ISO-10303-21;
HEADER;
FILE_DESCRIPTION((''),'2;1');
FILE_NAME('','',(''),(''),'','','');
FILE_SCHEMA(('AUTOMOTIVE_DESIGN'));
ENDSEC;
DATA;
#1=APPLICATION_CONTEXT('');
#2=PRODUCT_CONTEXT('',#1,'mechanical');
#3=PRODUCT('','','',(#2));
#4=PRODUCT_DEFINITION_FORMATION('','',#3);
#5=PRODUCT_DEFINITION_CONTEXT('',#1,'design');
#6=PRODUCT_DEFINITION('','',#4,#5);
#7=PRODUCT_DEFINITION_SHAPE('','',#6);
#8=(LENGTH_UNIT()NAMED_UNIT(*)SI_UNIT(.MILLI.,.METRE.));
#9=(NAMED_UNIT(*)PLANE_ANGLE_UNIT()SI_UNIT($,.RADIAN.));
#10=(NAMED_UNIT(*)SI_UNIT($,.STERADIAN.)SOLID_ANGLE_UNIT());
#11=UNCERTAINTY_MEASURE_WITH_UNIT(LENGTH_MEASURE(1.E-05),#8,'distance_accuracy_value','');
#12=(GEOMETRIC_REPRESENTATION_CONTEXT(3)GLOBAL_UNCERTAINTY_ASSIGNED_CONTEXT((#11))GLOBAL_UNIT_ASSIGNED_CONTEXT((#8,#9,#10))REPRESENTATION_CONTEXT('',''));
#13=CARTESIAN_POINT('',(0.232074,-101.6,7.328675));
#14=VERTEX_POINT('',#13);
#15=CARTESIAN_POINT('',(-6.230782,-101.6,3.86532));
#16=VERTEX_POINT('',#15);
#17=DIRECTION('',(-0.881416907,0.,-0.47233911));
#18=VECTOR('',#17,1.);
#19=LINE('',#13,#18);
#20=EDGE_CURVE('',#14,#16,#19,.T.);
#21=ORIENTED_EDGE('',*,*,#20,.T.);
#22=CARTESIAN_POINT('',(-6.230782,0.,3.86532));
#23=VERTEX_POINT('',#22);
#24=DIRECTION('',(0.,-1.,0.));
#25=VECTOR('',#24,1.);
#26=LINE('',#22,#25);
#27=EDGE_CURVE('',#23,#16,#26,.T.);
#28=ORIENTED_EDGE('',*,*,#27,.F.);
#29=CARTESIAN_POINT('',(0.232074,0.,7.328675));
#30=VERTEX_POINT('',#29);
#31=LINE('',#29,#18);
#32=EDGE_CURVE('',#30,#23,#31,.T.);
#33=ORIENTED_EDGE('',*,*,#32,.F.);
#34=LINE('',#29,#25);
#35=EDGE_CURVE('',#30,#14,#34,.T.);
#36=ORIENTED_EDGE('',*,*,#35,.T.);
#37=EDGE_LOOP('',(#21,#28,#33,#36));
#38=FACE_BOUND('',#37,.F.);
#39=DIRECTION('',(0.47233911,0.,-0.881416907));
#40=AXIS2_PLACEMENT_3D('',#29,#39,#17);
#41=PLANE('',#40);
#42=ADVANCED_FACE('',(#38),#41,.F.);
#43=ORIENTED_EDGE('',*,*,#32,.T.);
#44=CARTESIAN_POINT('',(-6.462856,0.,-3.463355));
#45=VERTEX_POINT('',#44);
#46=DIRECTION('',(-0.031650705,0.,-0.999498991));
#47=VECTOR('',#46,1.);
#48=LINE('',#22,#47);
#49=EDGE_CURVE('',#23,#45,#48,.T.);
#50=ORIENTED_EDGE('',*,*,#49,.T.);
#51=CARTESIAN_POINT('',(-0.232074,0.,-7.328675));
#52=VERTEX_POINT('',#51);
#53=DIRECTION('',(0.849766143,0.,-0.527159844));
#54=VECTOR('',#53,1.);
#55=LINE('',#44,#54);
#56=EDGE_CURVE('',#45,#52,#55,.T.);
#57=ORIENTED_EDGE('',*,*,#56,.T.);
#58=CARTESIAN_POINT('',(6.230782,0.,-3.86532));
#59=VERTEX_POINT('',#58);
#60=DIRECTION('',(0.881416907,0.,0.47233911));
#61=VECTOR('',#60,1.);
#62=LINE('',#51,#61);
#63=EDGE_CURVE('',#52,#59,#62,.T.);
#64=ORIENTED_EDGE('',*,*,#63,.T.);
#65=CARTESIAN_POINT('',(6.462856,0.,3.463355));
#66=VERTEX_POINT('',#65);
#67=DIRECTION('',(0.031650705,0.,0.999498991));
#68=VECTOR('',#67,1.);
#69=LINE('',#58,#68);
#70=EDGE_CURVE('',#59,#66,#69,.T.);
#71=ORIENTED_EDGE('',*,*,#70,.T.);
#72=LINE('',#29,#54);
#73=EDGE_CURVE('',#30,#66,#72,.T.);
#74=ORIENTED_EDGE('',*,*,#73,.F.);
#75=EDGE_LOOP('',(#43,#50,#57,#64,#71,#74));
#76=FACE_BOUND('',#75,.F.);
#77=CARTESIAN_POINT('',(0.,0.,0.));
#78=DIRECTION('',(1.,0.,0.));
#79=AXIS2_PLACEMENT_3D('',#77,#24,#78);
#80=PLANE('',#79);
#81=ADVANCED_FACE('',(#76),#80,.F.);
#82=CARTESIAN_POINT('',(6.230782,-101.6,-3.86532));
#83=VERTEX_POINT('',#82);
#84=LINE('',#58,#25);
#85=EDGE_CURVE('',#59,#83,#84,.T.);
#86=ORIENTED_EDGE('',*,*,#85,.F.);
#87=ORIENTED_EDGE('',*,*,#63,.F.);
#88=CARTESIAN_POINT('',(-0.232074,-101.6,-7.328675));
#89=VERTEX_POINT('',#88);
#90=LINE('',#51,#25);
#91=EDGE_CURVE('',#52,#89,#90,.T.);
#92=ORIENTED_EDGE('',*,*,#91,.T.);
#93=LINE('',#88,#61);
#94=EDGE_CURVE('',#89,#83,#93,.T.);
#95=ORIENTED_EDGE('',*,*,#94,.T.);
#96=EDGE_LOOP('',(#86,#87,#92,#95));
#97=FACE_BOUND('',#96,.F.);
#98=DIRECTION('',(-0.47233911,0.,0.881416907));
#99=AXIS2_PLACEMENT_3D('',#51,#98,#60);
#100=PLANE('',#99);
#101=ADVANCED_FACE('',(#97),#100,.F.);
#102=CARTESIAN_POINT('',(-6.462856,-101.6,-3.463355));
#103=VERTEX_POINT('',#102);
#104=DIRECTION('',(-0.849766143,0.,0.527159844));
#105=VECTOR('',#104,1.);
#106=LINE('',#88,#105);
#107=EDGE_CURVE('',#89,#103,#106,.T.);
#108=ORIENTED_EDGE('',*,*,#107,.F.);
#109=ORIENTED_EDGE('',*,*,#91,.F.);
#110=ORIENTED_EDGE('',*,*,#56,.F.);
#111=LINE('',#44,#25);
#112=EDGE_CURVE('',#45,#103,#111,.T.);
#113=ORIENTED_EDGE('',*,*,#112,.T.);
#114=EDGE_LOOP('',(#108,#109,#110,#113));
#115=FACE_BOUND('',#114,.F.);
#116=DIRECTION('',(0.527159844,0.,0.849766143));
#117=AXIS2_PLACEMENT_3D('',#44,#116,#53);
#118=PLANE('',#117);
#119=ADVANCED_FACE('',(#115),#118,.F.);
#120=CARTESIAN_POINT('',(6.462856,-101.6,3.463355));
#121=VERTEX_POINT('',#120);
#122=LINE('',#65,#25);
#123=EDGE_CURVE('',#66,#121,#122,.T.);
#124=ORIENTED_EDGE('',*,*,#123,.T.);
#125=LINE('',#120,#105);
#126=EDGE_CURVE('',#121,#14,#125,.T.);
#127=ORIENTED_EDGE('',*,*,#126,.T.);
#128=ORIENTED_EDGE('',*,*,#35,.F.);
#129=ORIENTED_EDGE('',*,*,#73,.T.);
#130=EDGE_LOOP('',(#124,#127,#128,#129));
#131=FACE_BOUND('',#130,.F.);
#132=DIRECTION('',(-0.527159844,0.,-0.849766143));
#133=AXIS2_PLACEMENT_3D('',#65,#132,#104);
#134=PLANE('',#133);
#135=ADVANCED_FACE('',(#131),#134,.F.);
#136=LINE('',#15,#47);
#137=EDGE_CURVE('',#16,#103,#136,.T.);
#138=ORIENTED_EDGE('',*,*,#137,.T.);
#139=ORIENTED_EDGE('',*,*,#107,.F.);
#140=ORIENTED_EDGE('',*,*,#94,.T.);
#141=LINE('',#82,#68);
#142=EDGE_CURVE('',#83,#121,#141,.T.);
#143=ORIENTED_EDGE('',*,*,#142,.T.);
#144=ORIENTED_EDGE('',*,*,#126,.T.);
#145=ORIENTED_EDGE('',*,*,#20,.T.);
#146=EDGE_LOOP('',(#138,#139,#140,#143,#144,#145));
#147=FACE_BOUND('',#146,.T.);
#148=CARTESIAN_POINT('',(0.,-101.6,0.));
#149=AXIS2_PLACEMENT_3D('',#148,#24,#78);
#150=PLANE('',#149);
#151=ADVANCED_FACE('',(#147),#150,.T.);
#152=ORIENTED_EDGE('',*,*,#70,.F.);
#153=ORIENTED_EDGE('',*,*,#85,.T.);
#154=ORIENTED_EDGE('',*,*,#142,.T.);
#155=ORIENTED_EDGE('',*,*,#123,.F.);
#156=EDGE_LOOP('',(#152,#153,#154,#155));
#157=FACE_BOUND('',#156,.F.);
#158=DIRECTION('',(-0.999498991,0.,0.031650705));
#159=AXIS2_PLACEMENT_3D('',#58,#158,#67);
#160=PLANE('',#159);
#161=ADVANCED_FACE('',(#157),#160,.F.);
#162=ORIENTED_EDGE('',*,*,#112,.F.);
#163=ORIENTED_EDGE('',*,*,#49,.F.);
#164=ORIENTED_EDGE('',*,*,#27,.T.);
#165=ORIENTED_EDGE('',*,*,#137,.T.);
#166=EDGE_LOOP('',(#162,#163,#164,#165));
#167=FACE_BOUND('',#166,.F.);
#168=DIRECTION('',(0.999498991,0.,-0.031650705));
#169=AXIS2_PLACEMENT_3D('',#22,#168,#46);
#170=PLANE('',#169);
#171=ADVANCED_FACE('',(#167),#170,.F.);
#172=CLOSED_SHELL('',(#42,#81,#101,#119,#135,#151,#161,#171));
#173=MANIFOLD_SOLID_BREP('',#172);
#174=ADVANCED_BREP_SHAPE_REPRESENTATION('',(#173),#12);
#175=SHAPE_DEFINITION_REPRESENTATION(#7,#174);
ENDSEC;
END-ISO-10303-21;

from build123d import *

# Parameters (mm, degrees)
F0_R     = 6.35
F1_DEPTH = 101.6
F3_DEPTH = 101.6


with BuildPart() as f1:
    # F0 (on Front) → F1 (new body)
    with BuildSketch(Plane.XZ):
        Circle(F0_R)
    extrude(amount=F1_DEPTH)

    # F2 (on Front) → F3 (join)
    with BuildSketch(Plane.XZ):
        Polygon((-6.230782, 3.86532), (-6.462856, -3.463355), (-0.232074, -7.328675), (6.230782, -3.86532), (6.462856, 3.463355), (0.232074, 7.328675), align=None)
    extrude(amount=F3_DEPTH)


solid = f1.part
